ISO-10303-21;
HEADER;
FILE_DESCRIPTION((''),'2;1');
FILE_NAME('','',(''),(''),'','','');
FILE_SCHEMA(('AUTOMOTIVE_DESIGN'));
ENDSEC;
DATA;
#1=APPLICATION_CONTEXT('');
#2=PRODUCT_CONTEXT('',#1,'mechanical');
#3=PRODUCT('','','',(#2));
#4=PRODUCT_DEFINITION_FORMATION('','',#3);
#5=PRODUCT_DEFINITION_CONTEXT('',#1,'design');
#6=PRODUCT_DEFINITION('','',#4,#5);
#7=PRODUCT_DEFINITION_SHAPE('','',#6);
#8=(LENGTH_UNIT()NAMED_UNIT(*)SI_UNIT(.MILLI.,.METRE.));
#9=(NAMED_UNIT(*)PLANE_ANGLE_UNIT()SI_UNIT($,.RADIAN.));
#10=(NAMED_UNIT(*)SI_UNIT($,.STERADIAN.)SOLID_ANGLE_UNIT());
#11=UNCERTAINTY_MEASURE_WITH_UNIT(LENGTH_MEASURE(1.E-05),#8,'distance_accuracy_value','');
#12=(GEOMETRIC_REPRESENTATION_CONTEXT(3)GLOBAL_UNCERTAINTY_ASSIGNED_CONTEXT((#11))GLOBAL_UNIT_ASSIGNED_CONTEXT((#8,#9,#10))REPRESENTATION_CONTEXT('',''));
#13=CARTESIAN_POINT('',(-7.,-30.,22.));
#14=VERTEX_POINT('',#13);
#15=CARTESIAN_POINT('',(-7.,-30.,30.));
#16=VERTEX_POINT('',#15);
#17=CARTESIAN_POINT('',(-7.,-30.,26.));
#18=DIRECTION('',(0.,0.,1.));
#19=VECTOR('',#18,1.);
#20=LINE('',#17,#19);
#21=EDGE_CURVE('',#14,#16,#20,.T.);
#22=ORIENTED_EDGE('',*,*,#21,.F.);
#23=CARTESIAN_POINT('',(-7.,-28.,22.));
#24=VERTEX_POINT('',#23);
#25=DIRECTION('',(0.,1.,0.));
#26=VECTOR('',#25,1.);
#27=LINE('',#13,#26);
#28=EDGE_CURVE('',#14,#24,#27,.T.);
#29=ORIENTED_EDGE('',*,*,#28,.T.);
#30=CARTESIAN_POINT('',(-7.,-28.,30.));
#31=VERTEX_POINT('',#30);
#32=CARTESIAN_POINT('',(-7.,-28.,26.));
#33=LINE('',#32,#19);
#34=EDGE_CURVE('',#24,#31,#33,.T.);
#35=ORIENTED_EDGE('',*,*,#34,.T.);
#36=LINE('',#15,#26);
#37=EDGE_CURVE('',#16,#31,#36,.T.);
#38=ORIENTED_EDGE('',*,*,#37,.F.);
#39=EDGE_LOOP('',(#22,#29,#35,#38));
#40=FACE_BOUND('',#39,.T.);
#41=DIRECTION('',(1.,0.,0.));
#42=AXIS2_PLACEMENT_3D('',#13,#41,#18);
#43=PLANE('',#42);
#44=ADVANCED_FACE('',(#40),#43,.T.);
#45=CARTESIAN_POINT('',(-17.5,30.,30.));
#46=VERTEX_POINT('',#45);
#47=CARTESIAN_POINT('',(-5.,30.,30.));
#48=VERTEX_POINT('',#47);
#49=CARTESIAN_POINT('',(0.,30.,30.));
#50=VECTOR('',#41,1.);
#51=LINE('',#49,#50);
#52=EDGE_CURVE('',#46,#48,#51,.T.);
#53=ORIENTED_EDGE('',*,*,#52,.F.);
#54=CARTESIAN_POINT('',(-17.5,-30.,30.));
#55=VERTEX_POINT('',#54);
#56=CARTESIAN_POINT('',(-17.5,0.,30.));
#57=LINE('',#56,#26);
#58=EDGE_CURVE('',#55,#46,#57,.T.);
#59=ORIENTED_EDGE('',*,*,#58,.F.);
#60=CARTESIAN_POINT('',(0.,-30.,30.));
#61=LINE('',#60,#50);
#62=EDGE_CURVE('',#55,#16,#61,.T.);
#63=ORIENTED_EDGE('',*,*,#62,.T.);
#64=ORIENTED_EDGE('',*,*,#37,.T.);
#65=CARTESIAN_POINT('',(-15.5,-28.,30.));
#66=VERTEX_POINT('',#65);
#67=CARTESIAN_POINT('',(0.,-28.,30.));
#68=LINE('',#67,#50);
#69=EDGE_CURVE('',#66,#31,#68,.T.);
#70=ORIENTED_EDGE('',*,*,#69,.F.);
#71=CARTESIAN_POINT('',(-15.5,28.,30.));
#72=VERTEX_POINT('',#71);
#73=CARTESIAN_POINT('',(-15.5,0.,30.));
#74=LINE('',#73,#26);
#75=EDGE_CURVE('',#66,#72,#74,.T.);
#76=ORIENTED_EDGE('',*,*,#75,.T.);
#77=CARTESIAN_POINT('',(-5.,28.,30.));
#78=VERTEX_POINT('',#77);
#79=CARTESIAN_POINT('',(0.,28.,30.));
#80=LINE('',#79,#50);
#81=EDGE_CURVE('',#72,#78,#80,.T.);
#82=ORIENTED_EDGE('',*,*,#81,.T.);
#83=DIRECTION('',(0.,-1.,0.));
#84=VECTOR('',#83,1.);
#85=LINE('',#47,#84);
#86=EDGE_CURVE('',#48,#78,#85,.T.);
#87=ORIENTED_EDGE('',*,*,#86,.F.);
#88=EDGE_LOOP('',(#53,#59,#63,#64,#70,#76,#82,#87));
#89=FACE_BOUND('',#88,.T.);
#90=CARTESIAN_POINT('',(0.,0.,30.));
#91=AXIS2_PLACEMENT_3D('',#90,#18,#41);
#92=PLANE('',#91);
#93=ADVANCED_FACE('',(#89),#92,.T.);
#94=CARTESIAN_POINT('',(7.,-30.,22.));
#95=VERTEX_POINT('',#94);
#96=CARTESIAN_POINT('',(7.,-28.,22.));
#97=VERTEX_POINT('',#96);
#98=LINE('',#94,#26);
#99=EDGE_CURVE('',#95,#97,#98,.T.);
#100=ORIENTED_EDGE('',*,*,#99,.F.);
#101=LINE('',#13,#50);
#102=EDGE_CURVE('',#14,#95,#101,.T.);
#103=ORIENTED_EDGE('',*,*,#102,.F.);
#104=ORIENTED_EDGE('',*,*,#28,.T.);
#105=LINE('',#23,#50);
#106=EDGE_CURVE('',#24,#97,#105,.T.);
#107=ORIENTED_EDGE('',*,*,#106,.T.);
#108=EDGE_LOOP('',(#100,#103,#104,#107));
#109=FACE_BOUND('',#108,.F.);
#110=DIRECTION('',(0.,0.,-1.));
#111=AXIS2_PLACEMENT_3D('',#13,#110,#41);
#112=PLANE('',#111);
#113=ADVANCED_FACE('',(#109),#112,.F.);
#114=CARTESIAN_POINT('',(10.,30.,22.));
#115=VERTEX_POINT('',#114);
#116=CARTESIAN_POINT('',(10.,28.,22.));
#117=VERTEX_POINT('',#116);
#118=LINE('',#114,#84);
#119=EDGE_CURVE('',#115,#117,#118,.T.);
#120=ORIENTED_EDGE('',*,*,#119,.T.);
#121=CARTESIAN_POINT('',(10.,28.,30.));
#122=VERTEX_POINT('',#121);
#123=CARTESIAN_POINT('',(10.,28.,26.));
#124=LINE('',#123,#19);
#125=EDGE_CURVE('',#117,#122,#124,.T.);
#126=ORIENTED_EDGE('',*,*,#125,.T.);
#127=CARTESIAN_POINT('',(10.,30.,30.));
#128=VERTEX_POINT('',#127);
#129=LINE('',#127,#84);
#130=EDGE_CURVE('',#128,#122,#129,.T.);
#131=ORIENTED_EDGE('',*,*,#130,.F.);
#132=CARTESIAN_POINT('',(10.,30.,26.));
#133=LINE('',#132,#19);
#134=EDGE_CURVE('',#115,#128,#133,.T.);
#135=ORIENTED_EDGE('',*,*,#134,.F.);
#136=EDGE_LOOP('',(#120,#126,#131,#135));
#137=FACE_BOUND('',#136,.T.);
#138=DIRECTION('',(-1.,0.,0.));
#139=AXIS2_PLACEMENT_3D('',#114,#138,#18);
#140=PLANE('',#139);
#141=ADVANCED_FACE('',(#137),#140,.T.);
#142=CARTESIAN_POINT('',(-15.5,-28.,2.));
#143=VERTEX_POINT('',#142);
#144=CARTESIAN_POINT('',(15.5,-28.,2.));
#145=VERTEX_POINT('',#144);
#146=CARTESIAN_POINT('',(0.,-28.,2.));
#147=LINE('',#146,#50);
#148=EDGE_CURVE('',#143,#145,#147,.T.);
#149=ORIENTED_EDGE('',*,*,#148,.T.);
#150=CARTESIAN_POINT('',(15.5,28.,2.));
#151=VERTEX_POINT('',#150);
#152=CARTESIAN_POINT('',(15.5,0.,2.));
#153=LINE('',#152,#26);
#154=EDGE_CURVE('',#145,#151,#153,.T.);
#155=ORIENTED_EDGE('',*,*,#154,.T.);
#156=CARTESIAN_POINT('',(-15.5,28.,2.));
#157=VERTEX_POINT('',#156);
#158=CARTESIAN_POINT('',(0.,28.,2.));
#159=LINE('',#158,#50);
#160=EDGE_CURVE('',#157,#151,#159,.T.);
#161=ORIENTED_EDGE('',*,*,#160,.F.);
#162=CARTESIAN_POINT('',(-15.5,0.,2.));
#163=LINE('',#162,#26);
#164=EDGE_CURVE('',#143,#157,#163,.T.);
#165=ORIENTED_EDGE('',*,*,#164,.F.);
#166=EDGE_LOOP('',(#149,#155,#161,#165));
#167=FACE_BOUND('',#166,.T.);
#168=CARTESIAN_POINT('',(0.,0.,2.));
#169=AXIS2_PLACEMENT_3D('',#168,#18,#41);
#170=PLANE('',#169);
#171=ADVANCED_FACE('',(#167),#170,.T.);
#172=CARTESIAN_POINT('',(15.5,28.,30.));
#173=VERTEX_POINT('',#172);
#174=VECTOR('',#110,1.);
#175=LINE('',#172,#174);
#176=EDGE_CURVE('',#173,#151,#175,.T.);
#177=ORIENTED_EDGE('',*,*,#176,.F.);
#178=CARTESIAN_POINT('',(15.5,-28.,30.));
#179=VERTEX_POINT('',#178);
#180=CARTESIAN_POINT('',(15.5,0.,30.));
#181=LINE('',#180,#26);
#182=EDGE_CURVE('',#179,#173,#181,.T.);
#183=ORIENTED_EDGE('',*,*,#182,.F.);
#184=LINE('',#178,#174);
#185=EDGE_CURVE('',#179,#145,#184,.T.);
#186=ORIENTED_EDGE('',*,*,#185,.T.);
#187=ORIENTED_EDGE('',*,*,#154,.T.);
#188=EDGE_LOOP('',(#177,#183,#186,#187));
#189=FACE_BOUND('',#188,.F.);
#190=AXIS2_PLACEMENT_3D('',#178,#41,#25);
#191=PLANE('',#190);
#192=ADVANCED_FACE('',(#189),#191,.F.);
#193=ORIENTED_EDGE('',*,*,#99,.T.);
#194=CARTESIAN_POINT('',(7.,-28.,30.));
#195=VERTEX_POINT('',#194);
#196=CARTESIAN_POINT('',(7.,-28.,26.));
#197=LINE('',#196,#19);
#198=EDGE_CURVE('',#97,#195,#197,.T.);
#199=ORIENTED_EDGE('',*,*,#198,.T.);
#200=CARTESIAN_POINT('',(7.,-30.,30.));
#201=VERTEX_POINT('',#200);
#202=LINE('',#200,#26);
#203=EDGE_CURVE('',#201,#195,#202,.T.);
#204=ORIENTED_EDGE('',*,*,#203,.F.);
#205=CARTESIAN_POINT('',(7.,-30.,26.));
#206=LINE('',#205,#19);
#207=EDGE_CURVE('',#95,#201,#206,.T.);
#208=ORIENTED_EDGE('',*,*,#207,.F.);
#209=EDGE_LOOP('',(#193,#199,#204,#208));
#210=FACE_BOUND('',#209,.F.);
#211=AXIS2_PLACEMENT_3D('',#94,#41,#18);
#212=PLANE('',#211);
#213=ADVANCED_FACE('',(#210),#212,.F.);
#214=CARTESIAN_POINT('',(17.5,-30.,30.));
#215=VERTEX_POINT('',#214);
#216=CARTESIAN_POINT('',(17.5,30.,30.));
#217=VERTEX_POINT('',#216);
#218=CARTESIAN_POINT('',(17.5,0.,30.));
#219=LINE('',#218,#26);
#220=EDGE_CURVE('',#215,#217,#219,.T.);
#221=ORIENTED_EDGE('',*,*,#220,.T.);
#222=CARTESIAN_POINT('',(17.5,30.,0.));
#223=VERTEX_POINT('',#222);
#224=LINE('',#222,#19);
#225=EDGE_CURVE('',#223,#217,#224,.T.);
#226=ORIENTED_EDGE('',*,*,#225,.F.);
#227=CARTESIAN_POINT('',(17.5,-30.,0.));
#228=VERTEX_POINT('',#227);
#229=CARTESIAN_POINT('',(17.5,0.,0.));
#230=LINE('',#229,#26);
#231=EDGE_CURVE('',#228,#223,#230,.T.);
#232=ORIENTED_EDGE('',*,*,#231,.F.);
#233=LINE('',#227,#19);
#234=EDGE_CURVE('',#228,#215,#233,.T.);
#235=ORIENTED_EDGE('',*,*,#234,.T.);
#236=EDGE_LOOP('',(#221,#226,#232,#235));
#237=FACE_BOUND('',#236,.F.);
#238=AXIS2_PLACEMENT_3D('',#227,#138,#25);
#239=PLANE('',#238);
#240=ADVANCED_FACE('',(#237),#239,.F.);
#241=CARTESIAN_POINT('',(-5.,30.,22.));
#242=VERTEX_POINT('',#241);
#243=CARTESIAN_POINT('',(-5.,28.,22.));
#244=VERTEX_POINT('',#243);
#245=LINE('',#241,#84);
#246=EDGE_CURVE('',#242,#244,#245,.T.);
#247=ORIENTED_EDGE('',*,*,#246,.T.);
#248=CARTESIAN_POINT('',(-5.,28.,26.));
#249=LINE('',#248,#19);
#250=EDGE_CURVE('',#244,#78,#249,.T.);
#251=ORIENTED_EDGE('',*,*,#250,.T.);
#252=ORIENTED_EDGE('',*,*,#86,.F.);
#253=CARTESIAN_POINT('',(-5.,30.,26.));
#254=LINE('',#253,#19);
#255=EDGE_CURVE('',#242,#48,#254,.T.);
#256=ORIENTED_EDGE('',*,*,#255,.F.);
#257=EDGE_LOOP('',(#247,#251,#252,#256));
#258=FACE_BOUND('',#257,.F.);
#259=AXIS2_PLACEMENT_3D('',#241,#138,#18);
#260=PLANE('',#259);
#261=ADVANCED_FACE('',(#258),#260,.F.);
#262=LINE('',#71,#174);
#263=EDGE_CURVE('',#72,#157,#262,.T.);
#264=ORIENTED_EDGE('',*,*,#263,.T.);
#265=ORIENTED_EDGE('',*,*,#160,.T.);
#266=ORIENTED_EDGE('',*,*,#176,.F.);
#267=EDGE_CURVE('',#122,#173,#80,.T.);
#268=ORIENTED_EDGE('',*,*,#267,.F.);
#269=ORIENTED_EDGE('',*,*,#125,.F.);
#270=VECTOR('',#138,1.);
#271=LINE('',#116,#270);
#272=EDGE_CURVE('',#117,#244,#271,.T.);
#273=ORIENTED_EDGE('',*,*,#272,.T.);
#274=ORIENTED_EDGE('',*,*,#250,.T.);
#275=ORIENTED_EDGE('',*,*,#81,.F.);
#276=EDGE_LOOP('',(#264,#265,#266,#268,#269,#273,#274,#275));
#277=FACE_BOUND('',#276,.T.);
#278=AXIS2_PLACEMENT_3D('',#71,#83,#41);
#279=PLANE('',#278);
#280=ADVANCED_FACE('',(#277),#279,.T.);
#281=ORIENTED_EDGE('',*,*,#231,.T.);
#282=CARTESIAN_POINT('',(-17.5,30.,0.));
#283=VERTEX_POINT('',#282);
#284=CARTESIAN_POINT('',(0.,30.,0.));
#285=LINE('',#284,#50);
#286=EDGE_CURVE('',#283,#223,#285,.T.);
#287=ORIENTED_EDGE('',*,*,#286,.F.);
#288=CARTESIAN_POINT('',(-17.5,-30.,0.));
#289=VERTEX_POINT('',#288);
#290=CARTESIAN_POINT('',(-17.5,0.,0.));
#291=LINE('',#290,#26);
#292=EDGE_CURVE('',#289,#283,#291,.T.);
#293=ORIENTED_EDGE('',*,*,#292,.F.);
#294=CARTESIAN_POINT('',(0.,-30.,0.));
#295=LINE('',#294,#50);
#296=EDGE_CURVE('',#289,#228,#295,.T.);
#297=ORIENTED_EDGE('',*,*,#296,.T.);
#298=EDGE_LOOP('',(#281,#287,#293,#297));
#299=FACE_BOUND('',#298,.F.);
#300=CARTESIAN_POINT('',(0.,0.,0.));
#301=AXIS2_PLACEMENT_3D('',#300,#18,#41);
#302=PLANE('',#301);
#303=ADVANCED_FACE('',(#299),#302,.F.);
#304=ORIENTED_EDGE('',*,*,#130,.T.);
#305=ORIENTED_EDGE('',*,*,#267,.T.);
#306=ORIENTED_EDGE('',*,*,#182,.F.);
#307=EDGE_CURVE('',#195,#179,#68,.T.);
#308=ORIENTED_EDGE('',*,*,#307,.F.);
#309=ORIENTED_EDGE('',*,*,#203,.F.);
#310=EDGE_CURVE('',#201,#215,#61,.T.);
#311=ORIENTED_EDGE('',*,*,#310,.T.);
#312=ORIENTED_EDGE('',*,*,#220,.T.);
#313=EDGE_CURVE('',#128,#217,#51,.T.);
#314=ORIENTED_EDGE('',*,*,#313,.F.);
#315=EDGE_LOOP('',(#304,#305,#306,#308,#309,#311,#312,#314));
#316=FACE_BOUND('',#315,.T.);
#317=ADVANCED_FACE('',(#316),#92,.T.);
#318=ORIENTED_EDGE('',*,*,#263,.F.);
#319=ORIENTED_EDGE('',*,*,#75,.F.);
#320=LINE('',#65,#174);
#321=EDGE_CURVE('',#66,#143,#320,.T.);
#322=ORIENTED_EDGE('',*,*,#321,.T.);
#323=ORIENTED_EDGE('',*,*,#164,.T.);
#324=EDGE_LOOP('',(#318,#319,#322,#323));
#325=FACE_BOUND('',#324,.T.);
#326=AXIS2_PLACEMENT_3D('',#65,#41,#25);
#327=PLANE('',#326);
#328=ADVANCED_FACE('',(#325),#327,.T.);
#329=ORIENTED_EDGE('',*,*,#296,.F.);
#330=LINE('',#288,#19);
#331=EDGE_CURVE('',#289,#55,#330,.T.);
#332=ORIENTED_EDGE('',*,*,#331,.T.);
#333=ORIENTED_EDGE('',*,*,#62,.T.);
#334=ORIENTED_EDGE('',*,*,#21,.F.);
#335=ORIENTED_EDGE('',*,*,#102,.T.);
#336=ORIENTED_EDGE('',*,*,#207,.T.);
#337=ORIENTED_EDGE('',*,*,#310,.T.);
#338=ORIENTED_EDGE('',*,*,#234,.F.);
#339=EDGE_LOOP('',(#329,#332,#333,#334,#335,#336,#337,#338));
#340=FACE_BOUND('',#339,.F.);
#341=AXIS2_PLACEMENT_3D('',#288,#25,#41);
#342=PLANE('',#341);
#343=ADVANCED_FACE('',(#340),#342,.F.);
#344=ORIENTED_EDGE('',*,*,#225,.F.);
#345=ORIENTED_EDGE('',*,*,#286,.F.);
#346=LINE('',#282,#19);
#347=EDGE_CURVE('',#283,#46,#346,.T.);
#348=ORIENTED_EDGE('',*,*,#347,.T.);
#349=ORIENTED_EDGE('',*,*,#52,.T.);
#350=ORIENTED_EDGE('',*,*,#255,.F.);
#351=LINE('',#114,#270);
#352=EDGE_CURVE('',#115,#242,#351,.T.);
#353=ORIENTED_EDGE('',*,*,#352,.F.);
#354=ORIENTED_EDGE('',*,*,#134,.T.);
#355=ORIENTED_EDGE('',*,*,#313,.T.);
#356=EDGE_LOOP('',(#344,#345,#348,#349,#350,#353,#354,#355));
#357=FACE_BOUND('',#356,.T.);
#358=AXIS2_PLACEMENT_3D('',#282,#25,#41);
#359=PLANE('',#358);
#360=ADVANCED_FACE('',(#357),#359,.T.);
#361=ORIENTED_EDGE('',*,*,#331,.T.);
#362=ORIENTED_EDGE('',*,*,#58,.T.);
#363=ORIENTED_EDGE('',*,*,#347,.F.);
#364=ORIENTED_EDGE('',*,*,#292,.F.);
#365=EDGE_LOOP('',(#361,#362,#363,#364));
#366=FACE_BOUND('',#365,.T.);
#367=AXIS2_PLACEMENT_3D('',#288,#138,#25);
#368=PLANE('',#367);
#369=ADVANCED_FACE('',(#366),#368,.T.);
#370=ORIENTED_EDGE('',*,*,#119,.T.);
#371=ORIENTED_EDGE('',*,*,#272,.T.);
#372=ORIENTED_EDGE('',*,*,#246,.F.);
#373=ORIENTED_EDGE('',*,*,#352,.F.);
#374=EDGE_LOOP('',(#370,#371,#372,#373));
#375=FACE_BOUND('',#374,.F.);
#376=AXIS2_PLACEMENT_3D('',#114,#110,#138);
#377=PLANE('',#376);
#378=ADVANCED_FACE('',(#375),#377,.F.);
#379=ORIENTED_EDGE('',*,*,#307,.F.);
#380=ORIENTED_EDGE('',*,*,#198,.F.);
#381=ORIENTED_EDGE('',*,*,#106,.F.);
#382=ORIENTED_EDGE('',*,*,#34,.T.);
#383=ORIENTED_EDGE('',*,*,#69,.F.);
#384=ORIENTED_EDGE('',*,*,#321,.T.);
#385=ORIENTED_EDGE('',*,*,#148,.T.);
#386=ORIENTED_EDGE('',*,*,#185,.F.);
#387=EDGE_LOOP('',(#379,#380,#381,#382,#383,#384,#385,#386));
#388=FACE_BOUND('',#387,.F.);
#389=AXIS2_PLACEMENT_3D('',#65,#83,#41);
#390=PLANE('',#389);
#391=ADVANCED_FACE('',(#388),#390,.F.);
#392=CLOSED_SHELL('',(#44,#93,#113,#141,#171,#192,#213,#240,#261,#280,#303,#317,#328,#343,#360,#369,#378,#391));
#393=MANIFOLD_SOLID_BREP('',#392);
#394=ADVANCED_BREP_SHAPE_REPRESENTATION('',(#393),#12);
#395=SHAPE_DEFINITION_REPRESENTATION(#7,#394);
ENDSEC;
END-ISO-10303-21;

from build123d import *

# Parameters (mm, degrees)
F0_W     = 35
F0_H     = 60
F1_DEPTH = 30
F2_W     = 31
F2_H     = 56
F3_DEPTH = 28
F4_W     = 5
F4_H     = 8
F4_W_2   = 10
F5_DEPTH = 2
F6_W     = 7
F6_H     = 8
F7_DEPTH = 2


with BuildPart() as f1:
    # F0 (on Top) → F1 (new body)
    with BuildSketch(Plane.XY):
        Rectangle(F0_W, F0_H)
    extrude(amount=F1_DEPTH)

    # F2 (on face) → F3 (cut)
    with BuildSketch(Plane.XY.offset(30)):
        Rectangle(F2_W, F2_H)
    extrude(amount=-F3_DEPTH, mode=Mode.SUBTRACT)

    # F4 (on face) → F5 (cut)
    with BuildSketch(Plane(origin=(0, 30, 0), x_dir=(-1, 0, 0), z_dir=(0, 1, 0))):
        with Locations((2.5, 26)):
            Rectangle(F4_W, F4_H)
        with Locations((-5, 26)):
            Rectangle(F4_W_2, F4_H)
    extrude(amount=-F5_DEPTH, mode=Mode.SUBTRACT)

    # F6 (on face) → F7 (cut)
    with BuildSketch(Plane.XZ.offset(30)):
        with Locations((-3.5, 26)):
            Rectangle(F6_W, F6_H)
        with Locations((3.5, 26)):
            Rectangle(F6_W, F6_H)
    extrude(amount=-F7_DEPTH, mode=Mode.SUBTRACT)


solid = f1.part
